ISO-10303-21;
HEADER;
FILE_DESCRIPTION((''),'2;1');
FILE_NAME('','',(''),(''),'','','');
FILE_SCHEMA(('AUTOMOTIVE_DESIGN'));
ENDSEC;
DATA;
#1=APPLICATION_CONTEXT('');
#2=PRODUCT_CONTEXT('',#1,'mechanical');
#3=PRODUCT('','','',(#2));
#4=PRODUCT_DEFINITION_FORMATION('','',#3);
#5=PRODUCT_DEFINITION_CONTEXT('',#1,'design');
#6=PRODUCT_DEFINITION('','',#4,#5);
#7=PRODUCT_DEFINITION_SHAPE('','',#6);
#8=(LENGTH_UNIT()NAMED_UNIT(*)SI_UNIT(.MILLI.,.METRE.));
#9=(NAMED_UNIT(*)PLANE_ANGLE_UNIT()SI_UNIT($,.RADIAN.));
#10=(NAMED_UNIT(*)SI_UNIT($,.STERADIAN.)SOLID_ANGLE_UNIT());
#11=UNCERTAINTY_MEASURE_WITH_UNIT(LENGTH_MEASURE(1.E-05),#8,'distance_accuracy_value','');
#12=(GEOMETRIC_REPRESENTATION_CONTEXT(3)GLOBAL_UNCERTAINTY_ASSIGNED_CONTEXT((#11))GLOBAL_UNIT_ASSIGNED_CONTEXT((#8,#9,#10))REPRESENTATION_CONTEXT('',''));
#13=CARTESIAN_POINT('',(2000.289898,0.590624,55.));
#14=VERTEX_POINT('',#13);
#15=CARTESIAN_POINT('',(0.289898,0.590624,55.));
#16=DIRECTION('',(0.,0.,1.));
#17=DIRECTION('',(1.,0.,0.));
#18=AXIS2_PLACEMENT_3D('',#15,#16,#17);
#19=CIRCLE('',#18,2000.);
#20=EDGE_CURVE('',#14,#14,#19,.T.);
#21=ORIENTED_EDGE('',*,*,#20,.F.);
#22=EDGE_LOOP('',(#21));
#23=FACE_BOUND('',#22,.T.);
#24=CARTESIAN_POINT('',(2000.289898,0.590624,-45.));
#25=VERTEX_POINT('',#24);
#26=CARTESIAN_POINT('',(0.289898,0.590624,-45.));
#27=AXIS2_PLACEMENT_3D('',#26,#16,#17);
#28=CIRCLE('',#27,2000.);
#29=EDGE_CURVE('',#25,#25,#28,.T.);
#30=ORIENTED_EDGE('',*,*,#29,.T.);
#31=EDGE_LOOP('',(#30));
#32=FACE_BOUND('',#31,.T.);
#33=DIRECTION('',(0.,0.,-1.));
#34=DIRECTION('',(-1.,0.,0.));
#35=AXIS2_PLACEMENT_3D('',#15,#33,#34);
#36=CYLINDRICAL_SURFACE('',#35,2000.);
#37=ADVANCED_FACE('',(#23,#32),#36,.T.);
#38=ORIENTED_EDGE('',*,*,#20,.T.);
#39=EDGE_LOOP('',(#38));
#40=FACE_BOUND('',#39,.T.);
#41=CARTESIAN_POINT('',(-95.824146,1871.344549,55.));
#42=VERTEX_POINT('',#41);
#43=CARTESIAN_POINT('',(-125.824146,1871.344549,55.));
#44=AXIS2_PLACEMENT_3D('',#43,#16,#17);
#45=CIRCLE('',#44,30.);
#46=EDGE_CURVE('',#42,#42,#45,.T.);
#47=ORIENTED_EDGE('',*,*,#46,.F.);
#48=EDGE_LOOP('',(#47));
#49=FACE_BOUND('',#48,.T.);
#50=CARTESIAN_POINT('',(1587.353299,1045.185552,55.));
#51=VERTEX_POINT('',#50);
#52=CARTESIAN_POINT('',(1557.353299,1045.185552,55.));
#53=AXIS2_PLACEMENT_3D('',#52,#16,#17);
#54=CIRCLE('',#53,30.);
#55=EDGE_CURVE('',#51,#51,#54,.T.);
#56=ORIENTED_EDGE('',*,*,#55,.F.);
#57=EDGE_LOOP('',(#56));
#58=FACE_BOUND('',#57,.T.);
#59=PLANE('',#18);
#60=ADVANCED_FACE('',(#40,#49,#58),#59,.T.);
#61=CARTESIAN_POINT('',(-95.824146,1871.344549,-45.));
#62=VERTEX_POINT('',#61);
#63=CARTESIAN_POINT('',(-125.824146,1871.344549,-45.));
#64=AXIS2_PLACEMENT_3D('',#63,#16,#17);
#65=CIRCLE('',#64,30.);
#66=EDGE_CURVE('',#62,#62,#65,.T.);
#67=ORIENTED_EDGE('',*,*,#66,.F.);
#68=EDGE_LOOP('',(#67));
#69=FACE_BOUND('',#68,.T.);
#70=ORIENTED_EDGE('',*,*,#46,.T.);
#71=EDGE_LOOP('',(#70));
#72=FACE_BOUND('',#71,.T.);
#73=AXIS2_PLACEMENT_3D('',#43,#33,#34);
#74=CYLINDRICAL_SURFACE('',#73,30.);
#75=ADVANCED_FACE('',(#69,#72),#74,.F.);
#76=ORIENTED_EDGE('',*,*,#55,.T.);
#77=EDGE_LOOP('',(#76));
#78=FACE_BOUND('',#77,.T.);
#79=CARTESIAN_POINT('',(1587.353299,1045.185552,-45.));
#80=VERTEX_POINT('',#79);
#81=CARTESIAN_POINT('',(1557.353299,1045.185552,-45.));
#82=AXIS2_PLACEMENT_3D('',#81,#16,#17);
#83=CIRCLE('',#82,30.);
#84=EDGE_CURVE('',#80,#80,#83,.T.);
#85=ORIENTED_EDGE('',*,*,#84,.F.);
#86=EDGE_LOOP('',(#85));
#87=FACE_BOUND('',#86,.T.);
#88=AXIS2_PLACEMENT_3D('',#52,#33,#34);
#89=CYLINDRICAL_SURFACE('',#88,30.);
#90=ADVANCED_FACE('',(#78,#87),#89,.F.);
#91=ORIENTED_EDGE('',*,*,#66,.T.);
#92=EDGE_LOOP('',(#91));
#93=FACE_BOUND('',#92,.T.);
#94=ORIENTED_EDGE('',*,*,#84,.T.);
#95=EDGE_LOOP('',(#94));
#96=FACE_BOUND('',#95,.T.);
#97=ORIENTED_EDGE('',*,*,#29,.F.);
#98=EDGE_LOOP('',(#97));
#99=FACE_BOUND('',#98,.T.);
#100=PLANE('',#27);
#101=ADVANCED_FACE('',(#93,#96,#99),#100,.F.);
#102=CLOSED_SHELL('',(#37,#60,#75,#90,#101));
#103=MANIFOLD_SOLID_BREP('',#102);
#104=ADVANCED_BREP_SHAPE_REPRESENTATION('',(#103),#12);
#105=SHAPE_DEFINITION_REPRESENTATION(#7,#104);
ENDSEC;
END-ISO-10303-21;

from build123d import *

# Parameters (mm, degrees)
SKETCH1_R           = 200
SKETCH1_R_2         = 3
BOSS_EXTRUDE1_DEPTH = 10
SCALE1_SCALE        = 10


with BuildPart() as part:
    # Sketch1 → Boss-Extrude1 (new body)
    with BuildSketch(Plane.XY):
        Circle(SKETCH1_R)
        with Locations((155.706340136, 104.459492826)):
            Circle(SKETCH1_R_2, mode=Mode.SUBTRACT)
        with Locations((-12.611404385, 187.075392501)):
            Circle(SKETCH1_R_2, mode=Mode.SUBTRACT)
    extrude(amount=BOSS_EXTRUDE1_DEPTH)


with BuildPart() as part_1:
    # Scale1: scaled about (-0.032210855, -0.06562488, 5)
    add(part.part.scale(SCALE1_SCALE).moved(Location((0.289897695, 0.59062392, -45))))


solid = part_1.part
